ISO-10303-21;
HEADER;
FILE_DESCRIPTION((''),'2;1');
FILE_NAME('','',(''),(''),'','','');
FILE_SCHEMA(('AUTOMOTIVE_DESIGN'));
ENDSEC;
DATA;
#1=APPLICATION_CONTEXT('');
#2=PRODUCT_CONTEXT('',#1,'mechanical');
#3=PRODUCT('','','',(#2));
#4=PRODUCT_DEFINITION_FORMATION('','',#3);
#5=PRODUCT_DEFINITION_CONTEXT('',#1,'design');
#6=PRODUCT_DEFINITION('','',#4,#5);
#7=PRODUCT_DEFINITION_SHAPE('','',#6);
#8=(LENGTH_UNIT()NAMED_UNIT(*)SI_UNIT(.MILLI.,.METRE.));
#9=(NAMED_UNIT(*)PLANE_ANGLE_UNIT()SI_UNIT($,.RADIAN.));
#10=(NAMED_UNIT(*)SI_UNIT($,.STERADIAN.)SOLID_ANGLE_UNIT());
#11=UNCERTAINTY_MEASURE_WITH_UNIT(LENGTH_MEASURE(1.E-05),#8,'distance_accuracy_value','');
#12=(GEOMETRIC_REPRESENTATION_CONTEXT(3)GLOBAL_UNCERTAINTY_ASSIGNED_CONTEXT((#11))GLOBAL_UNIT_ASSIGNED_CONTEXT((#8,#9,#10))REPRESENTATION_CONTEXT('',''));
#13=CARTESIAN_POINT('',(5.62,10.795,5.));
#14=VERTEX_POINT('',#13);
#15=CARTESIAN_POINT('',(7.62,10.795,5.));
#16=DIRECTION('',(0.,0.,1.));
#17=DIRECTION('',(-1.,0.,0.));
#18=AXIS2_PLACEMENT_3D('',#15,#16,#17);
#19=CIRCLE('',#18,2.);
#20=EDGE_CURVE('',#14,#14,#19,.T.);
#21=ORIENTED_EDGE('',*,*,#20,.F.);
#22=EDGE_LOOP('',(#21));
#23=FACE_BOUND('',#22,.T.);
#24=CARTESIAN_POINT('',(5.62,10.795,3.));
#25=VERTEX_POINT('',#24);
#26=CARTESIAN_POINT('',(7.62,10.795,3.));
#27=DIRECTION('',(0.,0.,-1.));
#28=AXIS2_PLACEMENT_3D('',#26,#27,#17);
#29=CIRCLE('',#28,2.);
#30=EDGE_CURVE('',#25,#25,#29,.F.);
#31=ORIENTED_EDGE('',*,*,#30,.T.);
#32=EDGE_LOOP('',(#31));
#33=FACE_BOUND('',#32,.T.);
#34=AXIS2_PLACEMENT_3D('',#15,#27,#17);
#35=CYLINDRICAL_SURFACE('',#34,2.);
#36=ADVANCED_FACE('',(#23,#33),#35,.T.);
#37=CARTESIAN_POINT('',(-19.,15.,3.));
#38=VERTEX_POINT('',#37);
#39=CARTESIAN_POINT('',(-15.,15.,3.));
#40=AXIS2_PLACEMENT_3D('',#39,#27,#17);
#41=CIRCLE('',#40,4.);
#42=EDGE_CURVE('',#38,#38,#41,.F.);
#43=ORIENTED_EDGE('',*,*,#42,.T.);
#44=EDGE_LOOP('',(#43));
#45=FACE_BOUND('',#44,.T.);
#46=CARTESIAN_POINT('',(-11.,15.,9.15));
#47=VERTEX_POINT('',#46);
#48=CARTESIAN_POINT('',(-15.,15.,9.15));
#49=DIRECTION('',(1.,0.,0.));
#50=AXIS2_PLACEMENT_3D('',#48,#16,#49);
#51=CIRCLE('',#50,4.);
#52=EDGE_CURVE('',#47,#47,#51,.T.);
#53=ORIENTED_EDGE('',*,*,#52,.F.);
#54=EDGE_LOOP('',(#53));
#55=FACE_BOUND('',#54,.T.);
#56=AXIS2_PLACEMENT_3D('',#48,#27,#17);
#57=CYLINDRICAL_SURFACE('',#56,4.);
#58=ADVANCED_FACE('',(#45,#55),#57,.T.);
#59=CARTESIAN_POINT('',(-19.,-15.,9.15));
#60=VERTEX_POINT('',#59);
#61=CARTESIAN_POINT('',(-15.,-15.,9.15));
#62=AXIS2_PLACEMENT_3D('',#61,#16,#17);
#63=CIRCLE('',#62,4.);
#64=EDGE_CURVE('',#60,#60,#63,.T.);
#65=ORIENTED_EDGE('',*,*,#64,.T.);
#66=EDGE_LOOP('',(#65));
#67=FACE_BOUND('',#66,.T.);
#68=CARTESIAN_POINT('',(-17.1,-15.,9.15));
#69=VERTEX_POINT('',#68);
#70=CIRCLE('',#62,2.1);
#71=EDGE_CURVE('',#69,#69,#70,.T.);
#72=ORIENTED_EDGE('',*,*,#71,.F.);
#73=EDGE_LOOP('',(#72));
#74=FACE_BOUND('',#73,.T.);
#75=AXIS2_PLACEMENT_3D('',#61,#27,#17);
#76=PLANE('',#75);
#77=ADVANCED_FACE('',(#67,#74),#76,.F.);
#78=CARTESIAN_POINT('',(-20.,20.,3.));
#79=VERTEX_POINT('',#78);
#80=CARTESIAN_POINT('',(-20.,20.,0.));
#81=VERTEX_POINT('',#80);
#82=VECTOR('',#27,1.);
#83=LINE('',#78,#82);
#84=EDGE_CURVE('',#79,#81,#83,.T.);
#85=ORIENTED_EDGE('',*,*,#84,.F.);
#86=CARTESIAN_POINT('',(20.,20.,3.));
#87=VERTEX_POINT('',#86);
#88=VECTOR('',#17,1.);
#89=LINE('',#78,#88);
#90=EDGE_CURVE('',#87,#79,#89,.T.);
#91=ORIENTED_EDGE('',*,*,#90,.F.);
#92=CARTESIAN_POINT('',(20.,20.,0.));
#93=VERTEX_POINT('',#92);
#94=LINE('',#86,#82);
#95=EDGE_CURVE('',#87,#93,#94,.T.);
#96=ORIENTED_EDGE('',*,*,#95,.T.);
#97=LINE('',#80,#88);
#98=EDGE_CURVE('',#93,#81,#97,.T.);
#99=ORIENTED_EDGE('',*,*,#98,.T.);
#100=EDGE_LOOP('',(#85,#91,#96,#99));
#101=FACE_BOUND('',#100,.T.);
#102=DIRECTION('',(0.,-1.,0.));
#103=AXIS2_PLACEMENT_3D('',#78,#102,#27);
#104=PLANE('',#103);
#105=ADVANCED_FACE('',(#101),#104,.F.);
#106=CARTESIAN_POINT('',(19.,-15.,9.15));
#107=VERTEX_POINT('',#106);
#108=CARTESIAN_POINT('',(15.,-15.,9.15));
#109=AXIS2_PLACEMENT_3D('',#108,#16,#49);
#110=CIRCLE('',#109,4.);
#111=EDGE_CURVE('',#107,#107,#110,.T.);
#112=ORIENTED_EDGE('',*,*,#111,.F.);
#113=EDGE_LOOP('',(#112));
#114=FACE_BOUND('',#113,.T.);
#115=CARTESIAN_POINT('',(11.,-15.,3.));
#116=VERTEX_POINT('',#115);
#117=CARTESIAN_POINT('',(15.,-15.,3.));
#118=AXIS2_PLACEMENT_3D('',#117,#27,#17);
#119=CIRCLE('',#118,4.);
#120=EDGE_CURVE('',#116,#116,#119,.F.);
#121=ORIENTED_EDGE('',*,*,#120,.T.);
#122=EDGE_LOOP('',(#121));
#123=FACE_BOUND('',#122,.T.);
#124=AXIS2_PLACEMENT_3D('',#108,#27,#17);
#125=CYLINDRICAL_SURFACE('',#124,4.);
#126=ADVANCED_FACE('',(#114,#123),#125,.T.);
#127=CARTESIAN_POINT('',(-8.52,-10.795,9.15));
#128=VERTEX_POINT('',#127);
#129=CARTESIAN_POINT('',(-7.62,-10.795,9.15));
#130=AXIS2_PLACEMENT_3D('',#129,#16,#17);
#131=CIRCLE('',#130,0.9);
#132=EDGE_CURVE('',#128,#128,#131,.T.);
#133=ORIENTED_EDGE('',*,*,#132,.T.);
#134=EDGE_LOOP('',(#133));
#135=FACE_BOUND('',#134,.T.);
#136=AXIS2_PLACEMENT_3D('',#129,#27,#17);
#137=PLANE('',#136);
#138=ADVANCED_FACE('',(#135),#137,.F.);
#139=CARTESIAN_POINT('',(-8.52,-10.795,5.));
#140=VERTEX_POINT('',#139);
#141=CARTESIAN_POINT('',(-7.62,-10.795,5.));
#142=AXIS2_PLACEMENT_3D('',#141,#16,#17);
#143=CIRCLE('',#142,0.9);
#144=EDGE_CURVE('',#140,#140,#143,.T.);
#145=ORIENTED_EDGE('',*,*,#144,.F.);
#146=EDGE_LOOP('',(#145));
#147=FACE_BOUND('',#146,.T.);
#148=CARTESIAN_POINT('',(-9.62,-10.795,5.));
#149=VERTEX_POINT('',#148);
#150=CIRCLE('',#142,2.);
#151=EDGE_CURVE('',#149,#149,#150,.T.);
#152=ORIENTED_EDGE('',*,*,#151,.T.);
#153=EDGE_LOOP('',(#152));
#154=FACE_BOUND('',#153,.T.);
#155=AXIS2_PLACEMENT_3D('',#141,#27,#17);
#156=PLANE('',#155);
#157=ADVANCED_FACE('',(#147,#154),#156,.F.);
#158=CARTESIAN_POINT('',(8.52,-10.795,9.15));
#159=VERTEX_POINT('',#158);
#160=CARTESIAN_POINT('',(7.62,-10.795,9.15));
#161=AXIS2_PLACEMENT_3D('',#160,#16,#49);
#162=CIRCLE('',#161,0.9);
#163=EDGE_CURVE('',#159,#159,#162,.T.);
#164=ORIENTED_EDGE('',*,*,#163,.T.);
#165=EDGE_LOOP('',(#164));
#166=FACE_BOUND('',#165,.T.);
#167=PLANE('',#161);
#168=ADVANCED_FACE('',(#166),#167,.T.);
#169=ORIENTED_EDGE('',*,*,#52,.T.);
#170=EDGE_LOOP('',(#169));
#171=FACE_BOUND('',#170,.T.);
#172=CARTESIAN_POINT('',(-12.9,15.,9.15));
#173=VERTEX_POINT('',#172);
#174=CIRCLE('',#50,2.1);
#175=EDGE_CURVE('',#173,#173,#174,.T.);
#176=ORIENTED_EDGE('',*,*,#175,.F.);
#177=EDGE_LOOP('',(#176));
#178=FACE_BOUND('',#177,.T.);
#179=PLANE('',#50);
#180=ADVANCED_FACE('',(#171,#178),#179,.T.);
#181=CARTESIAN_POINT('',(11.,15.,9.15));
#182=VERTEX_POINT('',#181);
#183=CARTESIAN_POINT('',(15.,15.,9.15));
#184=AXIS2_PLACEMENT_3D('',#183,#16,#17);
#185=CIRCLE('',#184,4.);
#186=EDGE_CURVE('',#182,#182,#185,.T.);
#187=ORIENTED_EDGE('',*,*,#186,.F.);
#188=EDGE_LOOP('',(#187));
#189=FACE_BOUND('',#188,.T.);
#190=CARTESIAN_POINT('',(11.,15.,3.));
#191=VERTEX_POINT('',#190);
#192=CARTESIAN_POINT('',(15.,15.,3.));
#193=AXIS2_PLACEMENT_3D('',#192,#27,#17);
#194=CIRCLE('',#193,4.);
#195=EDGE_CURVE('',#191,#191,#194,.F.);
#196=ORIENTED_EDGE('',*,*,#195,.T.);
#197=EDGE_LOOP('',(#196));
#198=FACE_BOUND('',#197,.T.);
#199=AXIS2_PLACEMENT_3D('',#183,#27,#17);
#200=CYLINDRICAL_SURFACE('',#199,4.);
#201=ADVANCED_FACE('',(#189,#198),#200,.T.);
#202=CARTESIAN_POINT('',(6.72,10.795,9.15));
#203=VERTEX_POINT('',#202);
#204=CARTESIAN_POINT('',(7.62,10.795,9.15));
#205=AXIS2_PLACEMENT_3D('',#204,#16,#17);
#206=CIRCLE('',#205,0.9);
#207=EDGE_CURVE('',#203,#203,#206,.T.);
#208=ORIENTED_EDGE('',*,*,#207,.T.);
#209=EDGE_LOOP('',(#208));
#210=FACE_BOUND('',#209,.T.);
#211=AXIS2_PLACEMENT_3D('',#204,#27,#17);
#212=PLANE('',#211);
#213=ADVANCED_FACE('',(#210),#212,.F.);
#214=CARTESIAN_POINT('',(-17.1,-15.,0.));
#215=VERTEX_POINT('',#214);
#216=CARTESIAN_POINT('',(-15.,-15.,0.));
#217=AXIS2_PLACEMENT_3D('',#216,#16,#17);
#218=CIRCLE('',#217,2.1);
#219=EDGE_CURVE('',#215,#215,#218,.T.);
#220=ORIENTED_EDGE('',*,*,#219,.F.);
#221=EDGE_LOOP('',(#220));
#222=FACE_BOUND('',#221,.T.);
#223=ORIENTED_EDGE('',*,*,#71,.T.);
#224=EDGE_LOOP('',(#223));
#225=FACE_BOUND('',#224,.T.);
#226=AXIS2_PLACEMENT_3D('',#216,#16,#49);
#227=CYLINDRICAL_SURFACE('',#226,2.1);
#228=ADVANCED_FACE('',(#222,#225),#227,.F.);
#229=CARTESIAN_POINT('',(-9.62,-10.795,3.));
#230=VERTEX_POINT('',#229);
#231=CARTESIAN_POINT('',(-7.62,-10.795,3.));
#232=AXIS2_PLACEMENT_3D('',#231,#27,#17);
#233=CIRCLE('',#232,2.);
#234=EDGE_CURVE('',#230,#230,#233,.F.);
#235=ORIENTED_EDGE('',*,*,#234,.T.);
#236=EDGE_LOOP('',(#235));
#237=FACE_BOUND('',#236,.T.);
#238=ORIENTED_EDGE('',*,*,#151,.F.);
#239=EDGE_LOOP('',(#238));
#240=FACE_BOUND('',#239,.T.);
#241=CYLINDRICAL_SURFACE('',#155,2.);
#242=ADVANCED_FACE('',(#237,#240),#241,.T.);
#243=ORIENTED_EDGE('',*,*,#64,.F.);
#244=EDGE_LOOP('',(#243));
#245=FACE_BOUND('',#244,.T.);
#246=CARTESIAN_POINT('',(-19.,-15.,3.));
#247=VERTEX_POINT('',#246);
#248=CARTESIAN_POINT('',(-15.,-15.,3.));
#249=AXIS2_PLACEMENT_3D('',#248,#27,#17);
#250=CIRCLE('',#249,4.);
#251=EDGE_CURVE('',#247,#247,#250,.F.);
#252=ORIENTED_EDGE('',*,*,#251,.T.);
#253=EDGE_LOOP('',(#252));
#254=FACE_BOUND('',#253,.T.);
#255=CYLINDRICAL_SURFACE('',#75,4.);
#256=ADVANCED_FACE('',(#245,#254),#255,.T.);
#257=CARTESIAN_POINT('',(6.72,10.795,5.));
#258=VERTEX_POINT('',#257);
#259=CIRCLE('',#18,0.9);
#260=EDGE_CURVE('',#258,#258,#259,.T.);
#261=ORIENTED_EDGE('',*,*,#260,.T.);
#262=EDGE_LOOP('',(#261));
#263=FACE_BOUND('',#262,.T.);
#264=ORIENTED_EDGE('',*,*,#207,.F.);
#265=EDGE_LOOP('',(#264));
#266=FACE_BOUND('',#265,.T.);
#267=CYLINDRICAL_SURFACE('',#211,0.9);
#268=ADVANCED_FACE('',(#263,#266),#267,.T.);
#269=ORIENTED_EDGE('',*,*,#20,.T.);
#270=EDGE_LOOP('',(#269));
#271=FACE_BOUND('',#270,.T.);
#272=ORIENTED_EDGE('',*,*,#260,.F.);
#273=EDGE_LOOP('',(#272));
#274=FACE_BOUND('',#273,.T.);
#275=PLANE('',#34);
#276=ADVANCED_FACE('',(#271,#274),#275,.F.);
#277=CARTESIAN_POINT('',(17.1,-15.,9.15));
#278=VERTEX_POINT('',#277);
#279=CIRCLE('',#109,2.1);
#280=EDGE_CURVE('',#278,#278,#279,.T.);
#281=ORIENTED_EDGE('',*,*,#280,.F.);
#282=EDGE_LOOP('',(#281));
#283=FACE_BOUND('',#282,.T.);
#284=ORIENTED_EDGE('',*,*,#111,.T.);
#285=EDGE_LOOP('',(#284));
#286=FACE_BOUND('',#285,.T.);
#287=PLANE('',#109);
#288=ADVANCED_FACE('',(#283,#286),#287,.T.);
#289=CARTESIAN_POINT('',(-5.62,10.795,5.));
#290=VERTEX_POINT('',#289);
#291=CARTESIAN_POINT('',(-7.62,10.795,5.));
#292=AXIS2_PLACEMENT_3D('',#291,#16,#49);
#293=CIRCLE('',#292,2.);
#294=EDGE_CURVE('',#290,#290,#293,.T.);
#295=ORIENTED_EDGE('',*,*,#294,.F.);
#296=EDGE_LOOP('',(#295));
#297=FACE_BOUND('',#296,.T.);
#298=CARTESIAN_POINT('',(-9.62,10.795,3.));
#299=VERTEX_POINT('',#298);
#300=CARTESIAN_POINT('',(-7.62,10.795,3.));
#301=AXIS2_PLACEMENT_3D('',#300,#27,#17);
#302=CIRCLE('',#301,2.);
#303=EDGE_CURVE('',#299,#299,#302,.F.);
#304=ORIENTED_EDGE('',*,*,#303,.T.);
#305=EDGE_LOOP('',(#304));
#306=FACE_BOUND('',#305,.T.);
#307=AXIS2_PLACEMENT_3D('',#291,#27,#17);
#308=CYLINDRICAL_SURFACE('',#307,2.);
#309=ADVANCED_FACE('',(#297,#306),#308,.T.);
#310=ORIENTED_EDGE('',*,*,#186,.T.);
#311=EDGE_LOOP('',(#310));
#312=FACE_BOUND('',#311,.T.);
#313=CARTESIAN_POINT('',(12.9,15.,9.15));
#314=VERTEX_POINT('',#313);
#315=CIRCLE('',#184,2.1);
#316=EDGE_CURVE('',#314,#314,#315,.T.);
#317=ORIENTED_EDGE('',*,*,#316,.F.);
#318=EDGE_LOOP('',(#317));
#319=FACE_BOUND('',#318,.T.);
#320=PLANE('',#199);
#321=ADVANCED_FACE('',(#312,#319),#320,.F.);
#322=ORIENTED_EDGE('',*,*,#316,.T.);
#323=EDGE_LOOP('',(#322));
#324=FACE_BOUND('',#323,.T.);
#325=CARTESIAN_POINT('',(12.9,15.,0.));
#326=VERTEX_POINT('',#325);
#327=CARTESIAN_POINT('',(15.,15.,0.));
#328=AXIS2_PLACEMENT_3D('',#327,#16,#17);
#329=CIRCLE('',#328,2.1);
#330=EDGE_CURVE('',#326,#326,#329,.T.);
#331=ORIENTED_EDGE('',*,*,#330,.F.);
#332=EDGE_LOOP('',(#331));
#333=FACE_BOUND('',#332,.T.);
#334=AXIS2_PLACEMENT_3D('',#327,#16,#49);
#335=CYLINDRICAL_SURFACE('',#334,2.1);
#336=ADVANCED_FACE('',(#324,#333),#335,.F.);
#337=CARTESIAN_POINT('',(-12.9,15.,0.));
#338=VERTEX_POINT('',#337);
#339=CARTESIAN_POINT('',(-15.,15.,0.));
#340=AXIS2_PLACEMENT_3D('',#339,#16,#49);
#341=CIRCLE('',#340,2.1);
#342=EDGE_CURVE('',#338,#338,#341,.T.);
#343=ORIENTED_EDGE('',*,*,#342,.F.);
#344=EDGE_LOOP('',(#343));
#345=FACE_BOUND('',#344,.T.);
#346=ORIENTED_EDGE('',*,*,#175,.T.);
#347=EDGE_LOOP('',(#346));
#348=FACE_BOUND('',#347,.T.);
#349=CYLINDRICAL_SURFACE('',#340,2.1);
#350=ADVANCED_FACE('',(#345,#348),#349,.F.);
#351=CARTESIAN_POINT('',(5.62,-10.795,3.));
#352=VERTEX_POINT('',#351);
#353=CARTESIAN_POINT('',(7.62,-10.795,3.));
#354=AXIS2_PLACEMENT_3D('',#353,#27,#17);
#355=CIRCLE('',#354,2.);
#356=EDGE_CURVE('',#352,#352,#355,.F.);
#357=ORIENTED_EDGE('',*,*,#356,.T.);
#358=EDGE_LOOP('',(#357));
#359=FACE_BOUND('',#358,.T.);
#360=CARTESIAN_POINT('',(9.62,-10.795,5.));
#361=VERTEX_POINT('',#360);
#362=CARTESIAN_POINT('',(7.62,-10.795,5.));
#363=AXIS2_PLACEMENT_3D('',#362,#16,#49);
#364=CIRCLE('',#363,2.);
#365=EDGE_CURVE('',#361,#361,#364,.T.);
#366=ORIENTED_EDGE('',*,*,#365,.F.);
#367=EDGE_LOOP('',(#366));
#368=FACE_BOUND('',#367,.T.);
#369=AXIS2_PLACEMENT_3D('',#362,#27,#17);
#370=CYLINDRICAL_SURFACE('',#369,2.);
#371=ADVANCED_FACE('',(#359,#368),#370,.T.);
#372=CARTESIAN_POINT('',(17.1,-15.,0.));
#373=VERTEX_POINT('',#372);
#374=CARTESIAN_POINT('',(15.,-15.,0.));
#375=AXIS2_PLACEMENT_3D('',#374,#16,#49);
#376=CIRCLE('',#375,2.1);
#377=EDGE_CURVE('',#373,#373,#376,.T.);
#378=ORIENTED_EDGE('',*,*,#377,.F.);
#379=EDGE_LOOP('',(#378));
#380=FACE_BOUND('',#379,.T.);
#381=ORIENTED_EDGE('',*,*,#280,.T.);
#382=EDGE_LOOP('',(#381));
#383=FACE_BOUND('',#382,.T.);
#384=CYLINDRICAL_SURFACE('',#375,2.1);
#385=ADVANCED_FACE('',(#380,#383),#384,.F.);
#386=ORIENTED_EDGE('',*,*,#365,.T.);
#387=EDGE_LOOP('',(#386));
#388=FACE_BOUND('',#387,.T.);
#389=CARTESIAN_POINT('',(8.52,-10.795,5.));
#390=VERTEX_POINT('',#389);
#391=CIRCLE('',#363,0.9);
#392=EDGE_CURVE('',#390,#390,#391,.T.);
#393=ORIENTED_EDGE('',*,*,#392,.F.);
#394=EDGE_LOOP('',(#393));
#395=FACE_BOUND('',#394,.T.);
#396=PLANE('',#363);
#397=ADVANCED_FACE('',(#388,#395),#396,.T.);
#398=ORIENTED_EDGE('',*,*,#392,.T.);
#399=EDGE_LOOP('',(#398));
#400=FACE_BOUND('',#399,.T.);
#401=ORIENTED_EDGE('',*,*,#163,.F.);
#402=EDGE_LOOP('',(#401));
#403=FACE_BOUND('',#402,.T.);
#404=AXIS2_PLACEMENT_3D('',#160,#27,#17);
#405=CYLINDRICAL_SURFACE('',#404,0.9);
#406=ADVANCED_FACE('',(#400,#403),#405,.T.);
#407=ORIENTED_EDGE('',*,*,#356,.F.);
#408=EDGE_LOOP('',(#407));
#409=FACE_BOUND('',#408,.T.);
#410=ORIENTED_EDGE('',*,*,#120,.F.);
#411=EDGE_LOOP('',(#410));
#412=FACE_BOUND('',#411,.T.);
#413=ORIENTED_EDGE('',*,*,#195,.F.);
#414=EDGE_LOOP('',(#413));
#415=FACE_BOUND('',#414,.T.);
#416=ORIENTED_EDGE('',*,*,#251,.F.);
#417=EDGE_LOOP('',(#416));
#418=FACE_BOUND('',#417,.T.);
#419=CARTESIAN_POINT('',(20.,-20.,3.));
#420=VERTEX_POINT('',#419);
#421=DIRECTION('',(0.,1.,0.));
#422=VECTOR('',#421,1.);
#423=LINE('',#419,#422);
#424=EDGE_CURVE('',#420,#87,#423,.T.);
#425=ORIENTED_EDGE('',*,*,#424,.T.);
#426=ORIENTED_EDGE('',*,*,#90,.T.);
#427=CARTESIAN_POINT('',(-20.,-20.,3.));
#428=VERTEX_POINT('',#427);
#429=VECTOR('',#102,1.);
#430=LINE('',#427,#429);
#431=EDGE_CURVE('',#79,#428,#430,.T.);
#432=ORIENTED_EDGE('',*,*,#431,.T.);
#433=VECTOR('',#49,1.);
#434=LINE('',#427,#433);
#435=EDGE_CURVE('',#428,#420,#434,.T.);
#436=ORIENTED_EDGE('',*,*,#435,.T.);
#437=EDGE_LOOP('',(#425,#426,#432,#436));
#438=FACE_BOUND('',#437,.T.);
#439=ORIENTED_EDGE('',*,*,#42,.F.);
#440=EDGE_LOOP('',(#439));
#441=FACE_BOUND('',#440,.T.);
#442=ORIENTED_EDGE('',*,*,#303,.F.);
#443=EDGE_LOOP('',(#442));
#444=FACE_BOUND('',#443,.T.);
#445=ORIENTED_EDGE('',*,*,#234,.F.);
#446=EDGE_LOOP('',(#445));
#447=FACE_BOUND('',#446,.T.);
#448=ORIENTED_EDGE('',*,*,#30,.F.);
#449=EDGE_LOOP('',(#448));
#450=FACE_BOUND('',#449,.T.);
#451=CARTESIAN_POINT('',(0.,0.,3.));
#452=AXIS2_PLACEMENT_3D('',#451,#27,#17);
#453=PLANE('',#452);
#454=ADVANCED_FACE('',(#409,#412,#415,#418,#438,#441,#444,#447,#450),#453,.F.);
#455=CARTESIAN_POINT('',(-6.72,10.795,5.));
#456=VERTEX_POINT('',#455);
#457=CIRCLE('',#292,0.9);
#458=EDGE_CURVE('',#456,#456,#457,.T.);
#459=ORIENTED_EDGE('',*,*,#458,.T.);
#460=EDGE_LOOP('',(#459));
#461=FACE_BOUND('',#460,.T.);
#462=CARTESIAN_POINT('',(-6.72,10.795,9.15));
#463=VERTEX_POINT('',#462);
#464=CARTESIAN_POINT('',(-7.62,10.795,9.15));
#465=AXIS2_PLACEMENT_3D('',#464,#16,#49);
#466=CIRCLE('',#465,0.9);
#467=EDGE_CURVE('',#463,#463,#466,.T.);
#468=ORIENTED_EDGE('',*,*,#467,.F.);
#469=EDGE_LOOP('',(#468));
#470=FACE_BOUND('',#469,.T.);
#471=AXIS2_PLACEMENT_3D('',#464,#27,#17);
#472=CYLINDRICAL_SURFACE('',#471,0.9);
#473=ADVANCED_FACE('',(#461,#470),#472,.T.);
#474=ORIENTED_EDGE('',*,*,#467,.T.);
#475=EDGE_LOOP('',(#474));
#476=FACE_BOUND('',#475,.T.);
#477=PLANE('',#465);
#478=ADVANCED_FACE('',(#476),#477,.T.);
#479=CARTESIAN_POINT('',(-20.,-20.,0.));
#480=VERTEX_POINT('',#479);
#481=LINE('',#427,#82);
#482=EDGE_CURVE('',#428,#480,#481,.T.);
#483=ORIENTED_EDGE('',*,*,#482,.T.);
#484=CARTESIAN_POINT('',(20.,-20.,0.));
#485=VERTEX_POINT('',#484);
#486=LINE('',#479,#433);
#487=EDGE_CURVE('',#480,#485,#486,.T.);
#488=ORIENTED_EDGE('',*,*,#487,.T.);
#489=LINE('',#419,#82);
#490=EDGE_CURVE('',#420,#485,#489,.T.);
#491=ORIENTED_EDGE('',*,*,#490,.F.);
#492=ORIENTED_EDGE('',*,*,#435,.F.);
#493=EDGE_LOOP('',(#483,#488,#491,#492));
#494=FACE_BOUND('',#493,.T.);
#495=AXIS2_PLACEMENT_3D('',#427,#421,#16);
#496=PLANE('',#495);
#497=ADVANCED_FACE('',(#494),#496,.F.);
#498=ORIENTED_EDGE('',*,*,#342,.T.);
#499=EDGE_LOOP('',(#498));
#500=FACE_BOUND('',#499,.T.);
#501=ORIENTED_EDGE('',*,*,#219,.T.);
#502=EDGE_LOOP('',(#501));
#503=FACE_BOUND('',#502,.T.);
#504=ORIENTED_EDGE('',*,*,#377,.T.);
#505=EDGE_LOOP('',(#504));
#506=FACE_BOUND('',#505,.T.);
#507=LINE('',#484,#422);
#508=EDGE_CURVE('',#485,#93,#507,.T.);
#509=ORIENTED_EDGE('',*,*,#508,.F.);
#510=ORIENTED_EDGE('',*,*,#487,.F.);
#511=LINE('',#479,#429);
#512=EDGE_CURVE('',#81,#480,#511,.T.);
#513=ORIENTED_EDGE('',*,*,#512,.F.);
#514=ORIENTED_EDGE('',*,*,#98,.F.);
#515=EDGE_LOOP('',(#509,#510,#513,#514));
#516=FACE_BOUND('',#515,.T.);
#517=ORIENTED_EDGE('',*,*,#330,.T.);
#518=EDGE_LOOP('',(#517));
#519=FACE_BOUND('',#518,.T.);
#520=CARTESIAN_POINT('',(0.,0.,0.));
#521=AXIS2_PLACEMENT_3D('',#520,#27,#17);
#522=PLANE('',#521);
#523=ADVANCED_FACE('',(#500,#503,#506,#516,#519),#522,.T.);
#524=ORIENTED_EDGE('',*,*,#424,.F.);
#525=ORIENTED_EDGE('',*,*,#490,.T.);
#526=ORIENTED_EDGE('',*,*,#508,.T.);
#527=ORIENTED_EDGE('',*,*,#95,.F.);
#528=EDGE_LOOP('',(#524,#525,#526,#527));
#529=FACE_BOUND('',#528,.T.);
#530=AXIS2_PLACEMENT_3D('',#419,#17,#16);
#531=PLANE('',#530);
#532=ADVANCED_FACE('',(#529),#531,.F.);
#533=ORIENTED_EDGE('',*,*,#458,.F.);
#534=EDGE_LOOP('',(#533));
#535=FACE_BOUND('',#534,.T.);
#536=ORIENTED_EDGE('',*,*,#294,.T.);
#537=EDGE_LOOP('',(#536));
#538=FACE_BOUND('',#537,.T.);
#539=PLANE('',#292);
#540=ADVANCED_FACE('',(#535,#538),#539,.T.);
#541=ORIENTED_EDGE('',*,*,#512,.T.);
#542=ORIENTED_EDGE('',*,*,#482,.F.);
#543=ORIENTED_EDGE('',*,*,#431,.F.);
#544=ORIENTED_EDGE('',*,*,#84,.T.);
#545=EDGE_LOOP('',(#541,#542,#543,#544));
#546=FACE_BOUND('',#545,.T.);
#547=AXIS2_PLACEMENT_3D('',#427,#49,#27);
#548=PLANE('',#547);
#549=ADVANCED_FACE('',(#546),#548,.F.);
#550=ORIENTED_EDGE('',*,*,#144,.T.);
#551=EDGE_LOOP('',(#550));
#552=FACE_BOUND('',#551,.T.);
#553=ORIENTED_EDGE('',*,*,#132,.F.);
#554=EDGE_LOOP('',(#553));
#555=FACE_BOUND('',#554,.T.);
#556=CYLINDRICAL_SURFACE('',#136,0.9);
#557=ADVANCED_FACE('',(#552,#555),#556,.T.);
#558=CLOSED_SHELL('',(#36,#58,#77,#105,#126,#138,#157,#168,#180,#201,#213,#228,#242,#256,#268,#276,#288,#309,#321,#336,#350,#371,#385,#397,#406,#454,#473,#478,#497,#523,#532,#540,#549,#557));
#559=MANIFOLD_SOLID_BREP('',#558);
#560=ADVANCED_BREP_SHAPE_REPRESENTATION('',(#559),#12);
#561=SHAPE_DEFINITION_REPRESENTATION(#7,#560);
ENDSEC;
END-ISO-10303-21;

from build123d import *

# Parameters (mm, degrees)
SKETCH_1_W          = 40
SKETCH_1_H          = 40
EXTRUDE_1_DEPTH     = 3
SKETCH_2_R          = 2
EXTRUDE_2_DEPTH     = 2
SKETCH_3_R          = 0.9
EXTRUDE_3_DEPTH     = 4.15
SKETCH_4_R          = 4
EXTRUDE_4_DEPTH     = 6.15
SKETCH_5_R          = 2.1
CUT_EXTRUDE_1_DEPTH = 10.15


with BuildPart() as part:
    # 草圖1 → 填料-伸長1 (new body)
    with BuildSketch(Plane.XY):
        Rectangle(SKETCH_1_W, SKETCH_1_H)
    extrude(amount=EXTRUDE_1_DEPTH)

    # 草圖2 → 填料-伸長2 (add)
    with BuildSketch(Plane.XY.offset(3)):
        with Locations((-7.62, 10.795)):
            Circle(SKETCH_2_R)
        with Locations((-7.62, -10.795)):
            Circle(SKETCH_2_R)
        with Locations((7.62, 10.795)):
            Circle(SKETCH_2_R)
        with Locations((7.62, -10.795)):
            Circle(SKETCH_2_R)
    extrude(amount=EXTRUDE_2_DEPTH)

    # 草圖3 → 填料-伸長3 (add)
    with BuildSketch(Plane.XY.offset(5)):
        with Locations((-7.62, 10.795)):
            Circle(SKETCH_3_R)
        with Locations((-7.62, -10.795)):
            Circle(SKETCH_3_R)
        with Locations((7.62, -10.795)):
            Circle(SKETCH_3_R)
        with Locations((7.62, 10.795)):
            Circle(SKETCH_3_R)
    extrude(amount=EXTRUDE_3_DEPTH)

    # 草圖4 → 填料-伸長4 (add)
    with BuildSketch(Plane.XY.offset(3)):
        with Locations((-15, 15)):
            Circle(SKETCH_4_R)
        with Locations((-15, -15)):
            Circle(SKETCH_4_R)
        with Locations((15, -15)):
            Circle(SKETCH_4_R)
        with Locations((15, 15)):
            Circle(SKETCH_4_R)
    extrude(amount=EXTRUDE_4_DEPTH)

    # 草圖5 → 除料-伸長1 (cut, through all)
    with BuildSketch(Plane.XY.offset(9.15)):
        with Locations((-15, 15)):
            Circle(SKETCH_5_R)
        with Locations((-15, -15)):
            Circle(SKETCH_5_R)
        with Locations((15, -15)):
            Circle(SKETCH_5_R)
        with Locations((15, 15)):
            Circle(SKETCH_5_R)
    extrude(amount=-CUT_EXTRUDE_1_DEPTH, mode=Mode.SUBTRACT)


solid = part.part
